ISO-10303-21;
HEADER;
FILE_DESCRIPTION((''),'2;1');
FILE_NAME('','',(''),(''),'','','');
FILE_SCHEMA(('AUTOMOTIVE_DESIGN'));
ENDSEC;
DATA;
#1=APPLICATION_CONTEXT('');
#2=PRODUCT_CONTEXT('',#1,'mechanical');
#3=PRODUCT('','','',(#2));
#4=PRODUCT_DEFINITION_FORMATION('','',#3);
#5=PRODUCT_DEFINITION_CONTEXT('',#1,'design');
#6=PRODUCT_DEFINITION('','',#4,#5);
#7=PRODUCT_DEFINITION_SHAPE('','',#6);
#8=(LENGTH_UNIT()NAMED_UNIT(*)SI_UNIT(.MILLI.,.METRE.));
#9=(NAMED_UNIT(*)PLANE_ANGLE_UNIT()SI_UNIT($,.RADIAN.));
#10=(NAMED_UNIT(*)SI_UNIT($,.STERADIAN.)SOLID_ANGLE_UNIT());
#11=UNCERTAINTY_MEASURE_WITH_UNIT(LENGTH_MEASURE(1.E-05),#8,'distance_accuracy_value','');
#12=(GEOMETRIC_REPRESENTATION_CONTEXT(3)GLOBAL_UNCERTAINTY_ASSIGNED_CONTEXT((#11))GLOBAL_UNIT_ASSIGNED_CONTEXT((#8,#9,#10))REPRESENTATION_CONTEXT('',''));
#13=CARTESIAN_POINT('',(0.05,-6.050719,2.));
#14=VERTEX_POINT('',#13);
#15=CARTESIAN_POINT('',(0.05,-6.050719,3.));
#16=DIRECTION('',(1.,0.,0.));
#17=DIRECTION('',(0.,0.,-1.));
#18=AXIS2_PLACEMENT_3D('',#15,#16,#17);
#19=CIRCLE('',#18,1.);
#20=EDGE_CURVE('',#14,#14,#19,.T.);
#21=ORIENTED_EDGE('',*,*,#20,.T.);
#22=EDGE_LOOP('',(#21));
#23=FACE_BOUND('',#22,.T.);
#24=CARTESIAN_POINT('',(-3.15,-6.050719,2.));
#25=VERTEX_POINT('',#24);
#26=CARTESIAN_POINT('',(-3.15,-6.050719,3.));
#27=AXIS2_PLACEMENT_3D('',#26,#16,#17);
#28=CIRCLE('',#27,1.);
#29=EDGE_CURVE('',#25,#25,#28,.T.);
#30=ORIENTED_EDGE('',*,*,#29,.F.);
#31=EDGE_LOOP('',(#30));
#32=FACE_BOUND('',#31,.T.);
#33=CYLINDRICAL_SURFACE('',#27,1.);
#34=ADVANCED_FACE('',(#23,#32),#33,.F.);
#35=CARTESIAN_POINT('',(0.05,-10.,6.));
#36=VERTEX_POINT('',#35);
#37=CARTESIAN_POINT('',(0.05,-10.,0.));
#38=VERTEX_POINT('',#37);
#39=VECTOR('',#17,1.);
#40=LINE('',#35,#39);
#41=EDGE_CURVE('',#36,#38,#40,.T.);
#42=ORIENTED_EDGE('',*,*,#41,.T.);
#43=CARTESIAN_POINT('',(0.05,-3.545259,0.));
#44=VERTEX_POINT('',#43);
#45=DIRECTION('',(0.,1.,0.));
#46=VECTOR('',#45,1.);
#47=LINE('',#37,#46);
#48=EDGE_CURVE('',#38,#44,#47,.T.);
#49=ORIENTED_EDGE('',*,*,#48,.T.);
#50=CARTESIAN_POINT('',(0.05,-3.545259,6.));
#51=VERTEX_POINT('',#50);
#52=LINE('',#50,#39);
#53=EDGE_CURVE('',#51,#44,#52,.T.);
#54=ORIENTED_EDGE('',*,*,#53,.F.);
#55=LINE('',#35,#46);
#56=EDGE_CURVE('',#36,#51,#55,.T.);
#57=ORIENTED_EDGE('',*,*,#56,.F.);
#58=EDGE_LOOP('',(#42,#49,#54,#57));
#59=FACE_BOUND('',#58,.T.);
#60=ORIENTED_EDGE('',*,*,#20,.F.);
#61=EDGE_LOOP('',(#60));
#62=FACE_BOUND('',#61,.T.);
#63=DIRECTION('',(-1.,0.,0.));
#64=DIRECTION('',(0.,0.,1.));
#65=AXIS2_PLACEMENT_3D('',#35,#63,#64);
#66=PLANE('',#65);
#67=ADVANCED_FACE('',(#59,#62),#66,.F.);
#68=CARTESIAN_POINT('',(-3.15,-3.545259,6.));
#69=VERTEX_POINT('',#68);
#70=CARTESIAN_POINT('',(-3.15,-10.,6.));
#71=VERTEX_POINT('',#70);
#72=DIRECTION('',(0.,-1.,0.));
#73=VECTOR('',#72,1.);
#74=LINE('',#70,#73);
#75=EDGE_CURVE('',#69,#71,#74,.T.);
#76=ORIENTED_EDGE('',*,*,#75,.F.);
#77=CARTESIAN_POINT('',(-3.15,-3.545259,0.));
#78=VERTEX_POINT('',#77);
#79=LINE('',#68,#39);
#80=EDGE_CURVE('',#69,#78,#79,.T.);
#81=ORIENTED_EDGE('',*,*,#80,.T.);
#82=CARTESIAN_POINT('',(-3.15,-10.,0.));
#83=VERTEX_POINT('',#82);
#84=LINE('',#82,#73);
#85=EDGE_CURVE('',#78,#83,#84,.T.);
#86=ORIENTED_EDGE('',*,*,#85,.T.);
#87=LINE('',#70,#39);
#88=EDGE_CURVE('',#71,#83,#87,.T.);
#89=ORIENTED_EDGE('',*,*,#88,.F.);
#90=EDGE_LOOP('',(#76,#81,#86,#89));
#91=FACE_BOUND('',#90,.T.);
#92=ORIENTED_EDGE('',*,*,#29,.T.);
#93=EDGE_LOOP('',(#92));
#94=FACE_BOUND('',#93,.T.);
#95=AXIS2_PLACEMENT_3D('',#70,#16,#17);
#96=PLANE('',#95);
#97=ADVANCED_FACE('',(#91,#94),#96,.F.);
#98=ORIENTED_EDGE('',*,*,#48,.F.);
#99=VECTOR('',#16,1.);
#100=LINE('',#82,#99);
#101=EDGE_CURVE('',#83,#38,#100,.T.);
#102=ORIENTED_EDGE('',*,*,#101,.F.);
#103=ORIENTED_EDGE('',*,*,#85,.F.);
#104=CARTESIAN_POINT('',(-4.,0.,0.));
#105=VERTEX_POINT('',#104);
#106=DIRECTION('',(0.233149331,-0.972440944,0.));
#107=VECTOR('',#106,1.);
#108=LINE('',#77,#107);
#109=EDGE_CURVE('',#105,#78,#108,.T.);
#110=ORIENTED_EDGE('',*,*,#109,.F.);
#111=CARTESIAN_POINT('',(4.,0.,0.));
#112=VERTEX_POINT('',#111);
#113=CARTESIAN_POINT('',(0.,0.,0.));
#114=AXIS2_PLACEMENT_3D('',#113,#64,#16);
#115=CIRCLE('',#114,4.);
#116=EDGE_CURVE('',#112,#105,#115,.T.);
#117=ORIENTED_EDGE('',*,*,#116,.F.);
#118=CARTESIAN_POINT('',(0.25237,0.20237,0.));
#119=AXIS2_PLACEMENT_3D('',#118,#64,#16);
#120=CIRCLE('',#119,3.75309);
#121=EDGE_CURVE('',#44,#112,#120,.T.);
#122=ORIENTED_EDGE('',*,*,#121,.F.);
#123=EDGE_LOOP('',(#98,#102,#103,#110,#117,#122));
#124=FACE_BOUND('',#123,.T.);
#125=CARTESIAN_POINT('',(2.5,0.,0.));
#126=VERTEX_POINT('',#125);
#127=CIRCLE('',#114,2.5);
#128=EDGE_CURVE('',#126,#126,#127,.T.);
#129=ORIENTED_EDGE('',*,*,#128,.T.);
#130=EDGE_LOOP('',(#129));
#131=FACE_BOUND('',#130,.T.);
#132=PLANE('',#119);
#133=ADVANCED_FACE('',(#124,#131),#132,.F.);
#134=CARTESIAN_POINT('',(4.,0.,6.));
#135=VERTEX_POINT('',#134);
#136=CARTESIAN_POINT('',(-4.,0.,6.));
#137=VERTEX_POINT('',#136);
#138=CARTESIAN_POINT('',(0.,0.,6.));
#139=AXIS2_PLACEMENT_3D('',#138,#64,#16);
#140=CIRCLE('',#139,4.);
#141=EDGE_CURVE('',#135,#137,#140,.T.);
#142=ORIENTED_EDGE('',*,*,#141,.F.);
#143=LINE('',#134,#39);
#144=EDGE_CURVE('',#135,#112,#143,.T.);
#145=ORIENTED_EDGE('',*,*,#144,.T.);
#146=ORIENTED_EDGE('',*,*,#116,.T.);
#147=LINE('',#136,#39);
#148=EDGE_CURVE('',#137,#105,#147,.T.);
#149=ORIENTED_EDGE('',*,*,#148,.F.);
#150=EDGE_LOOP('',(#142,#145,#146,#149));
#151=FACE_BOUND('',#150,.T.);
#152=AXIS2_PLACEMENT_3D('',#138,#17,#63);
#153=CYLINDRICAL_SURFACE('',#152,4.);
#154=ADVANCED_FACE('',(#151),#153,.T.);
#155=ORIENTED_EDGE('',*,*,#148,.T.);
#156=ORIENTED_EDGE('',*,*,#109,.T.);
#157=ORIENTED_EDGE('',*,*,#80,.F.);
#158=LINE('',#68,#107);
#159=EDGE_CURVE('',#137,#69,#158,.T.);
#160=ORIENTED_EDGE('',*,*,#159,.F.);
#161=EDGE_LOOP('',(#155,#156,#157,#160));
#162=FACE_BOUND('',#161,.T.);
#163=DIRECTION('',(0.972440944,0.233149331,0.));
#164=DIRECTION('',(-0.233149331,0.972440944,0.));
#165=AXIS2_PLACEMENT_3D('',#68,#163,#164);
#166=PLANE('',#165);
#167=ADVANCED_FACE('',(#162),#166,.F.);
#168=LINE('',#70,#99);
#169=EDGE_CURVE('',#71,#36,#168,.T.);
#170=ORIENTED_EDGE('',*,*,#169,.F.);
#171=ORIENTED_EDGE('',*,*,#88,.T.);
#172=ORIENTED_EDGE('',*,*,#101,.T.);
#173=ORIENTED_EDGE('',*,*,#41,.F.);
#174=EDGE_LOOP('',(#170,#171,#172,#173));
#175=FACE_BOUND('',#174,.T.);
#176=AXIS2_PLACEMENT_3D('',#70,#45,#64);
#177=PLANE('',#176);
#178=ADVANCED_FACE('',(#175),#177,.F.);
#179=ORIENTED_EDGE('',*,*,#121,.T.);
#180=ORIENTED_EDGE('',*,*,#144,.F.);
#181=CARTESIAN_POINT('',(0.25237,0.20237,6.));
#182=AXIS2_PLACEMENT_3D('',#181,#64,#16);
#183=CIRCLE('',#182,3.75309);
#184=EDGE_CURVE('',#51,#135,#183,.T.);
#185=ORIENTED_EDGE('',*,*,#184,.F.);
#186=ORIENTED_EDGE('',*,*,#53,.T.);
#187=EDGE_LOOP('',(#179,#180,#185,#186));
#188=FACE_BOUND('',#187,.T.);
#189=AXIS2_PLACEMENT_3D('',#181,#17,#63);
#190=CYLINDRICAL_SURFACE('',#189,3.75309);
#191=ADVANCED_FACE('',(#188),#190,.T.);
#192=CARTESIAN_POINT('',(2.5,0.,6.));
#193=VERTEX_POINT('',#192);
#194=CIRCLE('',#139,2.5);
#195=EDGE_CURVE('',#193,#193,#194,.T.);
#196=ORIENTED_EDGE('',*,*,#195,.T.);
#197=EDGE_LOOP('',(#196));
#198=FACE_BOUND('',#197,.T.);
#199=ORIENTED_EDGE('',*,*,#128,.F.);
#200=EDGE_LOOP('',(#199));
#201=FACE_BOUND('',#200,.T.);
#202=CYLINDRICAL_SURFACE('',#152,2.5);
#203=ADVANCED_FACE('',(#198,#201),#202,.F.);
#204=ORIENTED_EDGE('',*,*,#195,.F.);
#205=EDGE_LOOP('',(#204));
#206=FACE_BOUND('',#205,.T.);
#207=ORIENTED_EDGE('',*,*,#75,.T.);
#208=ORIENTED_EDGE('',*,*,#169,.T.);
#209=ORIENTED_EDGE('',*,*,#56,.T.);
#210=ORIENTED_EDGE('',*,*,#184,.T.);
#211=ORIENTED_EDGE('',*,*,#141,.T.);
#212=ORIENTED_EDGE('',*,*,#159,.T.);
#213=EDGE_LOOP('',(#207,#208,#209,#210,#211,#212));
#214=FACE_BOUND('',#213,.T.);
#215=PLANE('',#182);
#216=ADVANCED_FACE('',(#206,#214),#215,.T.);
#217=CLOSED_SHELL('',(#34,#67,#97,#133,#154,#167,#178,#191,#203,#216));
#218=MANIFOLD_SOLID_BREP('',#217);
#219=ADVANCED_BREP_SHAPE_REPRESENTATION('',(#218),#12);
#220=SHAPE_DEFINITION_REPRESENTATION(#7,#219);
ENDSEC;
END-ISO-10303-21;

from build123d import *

# Parameters (mm, degrees)
CROQUIS1_R              = 2.5
SALIENTE_EXTRUIR1_DEPTH = 6
CROQUIS4_R              = 1
CORTAR_EXTRUIR2_DEPTH   = 3.2


with BuildPart() as part:
    # Croquis1 → Saliente-Extruir1 (new body)
    with BuildSketch(Plane.XY):
        with BuildLine():
            Line((-3.15, -10), (-3.15, -3.545259156))
            Line((-3.15, -3.545259156), (-4, 0))
            ThreePointArc((-4, 0), (0, 4), (4, 0))
            ThreePointArc((4, 0), (2.759247212, -2.590701364), (0.05, -3.545259156))
            Line((0.05, -3.545259156), (0.05, -10))
            Line((0.05, -10), (-3.15, -10))
        make_face()
        Circle(CROQUIS1_R, mode=Mode.SUBTRACT)
    extrude(amount=SALIENTE_EXTRUIR1_DEPTH)

    # Croquis4 → Cortar-Extruir2 (cut)
    with BuildSketch(Plane(origin=(0.05, 0, 0), x_dir=(0, 0, -1), z_dir=(1, 0, 0))):
        with Locations((-3, -6.050719138)):
            Circle(CROQUIS4_R)
    extrude(amount=-CORTAR_EXTRUIR2_DEPTH, mode=Mode.SUBTRACT)


solid = part.part
